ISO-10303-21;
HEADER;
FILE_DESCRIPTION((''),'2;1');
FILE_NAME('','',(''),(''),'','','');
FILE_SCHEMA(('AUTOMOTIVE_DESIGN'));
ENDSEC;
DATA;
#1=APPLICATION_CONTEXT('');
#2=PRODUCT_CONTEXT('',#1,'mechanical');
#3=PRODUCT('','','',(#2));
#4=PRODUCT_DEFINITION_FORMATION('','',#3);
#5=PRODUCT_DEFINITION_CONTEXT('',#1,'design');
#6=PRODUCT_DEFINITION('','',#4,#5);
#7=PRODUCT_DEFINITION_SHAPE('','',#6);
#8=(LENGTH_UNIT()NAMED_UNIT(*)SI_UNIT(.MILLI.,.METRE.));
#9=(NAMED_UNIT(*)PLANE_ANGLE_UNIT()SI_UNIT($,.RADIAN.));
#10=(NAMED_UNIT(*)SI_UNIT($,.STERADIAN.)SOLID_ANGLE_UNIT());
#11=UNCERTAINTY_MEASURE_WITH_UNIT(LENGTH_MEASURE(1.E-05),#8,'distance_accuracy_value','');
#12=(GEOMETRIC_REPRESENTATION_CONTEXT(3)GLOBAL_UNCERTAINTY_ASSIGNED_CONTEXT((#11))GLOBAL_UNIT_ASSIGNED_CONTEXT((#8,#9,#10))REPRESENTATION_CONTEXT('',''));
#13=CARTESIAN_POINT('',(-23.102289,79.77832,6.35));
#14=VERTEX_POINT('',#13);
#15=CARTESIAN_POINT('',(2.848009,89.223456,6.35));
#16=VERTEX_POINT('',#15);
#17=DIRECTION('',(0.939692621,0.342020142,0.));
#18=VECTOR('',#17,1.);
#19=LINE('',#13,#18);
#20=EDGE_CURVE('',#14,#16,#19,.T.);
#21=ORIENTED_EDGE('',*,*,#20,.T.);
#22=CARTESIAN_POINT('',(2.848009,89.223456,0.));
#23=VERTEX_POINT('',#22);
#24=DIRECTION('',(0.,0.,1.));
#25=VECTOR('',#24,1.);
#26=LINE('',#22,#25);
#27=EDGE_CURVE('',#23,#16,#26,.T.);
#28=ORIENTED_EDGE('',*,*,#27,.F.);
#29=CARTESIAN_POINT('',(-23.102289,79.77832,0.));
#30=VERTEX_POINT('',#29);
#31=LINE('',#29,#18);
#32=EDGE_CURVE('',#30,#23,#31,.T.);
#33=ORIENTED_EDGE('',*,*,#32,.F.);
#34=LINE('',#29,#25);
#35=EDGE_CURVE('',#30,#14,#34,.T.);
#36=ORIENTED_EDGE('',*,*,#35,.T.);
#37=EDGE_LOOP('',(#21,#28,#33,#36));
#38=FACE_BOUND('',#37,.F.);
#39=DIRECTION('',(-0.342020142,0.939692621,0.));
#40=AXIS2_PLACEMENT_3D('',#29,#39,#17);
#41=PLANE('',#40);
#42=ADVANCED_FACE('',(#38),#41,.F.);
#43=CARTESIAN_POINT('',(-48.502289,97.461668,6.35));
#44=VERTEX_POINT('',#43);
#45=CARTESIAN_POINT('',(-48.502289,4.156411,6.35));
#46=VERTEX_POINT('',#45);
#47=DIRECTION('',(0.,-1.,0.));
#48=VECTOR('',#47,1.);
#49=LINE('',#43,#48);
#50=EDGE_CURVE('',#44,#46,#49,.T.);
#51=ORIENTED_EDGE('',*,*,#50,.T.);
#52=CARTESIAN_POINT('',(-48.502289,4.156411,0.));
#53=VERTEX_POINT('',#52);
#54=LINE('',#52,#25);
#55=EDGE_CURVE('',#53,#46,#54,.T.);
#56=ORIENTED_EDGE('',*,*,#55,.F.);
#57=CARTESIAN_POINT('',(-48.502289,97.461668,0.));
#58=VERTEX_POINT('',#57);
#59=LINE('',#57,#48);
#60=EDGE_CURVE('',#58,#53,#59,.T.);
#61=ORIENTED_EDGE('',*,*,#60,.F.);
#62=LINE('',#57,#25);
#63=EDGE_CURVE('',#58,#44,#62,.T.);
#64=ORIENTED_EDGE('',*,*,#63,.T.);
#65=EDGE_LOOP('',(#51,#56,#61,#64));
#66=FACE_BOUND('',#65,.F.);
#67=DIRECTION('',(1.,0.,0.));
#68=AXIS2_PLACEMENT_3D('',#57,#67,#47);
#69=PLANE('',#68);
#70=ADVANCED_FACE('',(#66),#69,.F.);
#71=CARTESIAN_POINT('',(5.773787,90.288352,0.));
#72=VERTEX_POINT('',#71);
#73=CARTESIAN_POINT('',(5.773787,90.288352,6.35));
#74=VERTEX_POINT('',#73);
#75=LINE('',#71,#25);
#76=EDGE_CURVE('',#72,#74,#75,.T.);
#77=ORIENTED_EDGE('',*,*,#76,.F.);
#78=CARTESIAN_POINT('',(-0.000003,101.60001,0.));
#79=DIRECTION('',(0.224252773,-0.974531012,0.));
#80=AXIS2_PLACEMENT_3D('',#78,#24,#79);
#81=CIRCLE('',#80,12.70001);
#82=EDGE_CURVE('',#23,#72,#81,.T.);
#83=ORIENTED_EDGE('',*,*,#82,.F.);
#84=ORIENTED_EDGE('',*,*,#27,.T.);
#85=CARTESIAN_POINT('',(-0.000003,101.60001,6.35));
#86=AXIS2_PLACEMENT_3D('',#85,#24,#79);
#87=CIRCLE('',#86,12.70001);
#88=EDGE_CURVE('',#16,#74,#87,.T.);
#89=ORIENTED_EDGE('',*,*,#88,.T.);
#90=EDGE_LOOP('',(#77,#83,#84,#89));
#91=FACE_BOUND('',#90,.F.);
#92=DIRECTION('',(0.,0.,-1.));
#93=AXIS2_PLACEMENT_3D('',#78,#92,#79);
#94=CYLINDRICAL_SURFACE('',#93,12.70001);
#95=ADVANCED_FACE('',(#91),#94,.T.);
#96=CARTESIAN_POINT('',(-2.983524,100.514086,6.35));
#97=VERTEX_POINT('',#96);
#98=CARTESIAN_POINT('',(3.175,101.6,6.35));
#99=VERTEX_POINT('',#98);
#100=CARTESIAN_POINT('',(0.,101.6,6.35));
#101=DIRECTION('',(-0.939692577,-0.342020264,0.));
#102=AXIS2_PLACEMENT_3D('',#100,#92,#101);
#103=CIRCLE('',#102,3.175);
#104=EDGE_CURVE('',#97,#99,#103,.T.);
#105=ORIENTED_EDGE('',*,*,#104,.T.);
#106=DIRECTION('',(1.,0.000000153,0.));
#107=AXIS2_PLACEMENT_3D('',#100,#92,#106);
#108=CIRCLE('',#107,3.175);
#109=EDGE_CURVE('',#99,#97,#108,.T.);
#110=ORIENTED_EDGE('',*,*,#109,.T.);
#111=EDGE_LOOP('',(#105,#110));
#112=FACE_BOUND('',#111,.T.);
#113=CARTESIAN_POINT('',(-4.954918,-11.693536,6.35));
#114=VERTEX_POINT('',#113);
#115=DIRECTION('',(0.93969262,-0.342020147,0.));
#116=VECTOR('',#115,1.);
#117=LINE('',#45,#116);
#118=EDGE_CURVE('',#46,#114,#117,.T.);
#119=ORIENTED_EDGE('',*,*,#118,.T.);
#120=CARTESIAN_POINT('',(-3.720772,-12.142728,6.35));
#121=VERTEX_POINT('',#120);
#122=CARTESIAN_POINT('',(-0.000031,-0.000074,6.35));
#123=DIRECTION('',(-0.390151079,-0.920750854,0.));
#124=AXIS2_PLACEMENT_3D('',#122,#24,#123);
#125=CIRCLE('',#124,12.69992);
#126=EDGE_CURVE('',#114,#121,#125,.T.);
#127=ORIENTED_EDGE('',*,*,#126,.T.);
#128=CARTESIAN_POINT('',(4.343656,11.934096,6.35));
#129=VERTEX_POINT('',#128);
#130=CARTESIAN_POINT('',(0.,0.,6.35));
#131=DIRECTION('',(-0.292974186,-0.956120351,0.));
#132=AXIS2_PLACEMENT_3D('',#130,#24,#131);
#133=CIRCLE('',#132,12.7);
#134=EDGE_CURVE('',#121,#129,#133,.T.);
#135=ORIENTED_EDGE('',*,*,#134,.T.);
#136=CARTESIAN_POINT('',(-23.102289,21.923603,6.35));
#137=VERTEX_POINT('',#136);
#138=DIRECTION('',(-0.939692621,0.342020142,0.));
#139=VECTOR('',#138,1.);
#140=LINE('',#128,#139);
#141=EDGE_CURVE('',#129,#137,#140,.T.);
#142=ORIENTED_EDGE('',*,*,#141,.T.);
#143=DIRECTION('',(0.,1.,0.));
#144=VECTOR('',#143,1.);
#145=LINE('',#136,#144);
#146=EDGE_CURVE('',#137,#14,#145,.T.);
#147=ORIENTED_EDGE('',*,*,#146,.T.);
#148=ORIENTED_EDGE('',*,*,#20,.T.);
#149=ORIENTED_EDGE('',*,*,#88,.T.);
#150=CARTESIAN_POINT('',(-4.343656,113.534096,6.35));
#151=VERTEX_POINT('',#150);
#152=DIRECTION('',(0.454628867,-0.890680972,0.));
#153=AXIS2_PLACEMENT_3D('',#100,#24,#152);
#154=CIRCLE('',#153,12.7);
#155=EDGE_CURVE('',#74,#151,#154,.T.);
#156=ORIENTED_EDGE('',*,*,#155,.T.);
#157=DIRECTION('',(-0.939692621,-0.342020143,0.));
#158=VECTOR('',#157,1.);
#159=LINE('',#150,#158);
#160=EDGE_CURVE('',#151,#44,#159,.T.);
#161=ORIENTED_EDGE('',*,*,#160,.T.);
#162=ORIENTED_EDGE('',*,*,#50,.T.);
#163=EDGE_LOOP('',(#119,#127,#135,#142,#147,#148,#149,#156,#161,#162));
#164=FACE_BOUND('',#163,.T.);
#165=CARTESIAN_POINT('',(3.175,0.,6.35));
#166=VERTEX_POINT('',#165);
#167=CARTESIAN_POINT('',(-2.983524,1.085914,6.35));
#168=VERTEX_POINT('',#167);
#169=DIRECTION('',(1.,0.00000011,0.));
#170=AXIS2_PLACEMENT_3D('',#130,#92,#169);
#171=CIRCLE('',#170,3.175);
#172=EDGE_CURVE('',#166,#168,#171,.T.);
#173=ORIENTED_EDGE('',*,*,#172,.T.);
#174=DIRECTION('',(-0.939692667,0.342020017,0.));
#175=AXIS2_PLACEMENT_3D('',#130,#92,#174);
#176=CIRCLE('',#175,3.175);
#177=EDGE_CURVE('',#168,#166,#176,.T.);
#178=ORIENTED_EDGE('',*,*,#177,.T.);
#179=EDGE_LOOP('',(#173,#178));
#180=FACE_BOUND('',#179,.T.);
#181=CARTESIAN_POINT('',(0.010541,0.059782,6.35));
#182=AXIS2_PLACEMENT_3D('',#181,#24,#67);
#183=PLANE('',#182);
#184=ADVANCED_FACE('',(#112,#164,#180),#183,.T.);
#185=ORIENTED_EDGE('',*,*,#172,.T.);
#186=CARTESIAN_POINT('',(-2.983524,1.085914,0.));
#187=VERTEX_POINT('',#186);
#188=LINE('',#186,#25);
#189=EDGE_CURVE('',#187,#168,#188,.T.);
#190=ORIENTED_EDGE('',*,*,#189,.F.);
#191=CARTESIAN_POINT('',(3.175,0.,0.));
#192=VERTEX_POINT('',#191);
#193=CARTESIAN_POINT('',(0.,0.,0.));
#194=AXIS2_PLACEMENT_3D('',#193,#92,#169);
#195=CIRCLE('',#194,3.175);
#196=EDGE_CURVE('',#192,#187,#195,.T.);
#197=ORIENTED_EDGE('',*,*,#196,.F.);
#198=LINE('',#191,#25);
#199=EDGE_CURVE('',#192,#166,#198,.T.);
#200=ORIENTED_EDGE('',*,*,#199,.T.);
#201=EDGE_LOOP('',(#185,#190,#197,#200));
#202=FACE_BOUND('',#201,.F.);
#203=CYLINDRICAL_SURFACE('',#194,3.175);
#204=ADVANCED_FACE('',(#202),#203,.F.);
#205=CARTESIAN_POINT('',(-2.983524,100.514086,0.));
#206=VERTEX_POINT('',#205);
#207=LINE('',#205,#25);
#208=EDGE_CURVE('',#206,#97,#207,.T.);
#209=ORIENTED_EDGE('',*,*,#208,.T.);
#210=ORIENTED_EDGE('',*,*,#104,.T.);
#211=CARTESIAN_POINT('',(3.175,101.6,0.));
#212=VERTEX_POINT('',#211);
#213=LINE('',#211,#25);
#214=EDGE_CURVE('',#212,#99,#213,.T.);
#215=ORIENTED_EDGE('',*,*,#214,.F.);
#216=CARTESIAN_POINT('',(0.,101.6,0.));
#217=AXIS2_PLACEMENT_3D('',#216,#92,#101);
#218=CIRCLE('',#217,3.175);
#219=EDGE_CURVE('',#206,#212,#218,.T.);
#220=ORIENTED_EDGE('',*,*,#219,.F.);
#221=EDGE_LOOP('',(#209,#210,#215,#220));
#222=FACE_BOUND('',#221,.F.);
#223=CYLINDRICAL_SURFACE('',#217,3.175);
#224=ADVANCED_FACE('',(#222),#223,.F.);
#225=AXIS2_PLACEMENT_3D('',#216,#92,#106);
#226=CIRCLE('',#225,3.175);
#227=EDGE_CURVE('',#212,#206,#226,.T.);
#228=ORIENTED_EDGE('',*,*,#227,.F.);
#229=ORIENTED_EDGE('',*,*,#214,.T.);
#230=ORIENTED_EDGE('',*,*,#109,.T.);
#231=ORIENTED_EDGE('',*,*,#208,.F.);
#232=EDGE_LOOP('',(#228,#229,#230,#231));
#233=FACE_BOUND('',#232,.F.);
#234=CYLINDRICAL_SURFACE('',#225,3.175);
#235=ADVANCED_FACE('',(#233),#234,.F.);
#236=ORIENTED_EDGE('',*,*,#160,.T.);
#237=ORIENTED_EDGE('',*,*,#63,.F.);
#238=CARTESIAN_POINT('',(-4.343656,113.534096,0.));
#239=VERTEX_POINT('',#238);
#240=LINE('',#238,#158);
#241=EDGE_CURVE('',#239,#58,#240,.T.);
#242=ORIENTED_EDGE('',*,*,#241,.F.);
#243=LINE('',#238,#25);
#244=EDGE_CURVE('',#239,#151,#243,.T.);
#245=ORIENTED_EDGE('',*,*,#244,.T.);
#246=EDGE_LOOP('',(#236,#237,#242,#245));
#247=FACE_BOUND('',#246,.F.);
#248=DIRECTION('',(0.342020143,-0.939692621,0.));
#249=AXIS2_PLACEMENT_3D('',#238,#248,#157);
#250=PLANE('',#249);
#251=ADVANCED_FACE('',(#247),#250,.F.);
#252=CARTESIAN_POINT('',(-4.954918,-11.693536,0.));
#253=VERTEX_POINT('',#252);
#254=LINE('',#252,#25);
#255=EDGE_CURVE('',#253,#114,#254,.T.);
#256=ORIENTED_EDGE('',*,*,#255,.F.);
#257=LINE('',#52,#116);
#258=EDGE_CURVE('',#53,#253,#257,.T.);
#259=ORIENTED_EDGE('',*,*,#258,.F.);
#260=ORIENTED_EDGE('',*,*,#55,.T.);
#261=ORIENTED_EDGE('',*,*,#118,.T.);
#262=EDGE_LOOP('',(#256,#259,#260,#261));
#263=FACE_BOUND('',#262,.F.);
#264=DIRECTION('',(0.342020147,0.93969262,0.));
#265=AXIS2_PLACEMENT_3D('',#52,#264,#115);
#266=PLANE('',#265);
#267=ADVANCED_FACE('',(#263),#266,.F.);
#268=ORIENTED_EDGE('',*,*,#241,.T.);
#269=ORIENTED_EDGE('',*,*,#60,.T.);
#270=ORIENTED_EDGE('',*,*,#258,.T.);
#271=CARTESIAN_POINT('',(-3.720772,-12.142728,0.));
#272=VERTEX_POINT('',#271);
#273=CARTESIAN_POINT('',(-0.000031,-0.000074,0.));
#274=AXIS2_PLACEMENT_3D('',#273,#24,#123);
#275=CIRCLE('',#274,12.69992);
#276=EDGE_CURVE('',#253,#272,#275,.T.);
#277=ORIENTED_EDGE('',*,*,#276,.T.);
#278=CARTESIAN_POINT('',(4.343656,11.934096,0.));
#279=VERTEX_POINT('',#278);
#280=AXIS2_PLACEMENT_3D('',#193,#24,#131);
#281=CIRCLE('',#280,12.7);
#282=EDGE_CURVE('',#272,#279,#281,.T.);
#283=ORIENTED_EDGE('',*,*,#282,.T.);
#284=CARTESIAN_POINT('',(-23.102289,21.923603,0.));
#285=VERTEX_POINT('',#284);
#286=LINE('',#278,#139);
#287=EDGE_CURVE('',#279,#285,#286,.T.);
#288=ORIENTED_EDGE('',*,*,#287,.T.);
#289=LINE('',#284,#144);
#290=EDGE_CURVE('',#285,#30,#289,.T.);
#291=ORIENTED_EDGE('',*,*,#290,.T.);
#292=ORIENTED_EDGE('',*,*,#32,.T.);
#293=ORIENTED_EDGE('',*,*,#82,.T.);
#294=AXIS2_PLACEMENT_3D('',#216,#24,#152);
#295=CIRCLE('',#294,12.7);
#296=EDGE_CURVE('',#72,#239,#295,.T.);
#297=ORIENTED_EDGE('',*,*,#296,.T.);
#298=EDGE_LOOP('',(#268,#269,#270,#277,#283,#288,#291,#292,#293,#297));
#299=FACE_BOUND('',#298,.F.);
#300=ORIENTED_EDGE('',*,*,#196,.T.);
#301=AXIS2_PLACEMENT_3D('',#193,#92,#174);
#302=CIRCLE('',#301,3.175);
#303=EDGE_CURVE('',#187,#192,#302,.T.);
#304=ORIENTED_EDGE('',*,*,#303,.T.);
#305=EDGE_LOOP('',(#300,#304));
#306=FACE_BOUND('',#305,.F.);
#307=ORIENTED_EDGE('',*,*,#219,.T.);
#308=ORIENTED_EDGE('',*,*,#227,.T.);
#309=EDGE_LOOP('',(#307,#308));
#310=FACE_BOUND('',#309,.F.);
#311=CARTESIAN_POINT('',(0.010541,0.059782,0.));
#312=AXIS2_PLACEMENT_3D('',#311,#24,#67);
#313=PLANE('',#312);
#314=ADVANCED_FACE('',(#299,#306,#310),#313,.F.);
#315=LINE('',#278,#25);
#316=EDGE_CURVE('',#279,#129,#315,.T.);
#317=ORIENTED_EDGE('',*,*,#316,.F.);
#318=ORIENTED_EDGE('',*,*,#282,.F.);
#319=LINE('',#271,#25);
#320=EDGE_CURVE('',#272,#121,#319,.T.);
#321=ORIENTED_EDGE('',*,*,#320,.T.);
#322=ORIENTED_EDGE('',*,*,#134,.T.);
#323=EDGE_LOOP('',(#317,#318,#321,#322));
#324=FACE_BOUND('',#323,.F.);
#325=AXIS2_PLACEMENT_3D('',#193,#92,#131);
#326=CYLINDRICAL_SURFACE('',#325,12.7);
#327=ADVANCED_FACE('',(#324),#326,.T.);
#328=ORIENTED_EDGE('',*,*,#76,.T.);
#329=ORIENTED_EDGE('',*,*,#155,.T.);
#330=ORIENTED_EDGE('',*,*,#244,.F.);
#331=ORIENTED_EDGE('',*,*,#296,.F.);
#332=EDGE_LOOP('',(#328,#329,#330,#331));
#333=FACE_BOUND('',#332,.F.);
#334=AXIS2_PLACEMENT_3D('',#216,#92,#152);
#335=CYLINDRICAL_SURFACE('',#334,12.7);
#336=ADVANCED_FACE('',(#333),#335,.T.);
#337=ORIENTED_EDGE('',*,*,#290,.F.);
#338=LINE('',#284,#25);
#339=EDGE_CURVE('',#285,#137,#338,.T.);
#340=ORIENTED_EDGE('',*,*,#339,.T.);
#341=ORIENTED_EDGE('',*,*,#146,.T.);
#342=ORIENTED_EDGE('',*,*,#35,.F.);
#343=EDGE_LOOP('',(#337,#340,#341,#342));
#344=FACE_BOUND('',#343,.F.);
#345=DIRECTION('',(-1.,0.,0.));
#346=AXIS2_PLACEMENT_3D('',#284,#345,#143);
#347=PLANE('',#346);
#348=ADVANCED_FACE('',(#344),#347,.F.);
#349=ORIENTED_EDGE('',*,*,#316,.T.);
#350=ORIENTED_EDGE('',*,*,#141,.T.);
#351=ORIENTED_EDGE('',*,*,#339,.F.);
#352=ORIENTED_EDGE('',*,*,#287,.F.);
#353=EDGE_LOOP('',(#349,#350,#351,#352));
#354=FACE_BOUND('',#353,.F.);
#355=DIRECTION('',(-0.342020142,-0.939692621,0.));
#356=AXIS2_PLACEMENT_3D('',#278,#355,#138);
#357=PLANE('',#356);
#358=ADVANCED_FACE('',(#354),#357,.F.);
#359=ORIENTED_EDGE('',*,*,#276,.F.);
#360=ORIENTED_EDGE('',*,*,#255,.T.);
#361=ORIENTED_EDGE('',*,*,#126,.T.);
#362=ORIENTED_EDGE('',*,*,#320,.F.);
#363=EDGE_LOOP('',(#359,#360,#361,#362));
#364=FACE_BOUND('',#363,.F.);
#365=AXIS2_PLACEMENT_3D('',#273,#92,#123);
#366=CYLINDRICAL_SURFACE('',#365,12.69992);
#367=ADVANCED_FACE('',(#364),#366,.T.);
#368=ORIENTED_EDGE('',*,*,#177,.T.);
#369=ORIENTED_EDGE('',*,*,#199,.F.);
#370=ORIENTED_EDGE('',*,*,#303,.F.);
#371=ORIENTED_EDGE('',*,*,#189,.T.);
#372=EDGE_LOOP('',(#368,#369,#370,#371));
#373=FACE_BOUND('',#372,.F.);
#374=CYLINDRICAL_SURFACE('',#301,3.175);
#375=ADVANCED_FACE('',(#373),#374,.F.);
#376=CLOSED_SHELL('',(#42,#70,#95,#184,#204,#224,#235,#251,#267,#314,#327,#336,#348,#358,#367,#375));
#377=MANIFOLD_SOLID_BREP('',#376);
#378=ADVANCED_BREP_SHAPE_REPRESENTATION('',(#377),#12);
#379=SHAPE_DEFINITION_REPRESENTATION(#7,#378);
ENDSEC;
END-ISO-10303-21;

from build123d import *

# Parameters (mm, degrees)
F1_DEPTH = 6.35


with BuildPart() as f1:
    # F0 (on Top) → F1 (new body)
    with BuildSketch(Plane.XY):
        with BuildLine():
            ThreePointArc((-2.983524, 1.085914), (-0.551333, -3.126765), (3.175, 0))
            ThreePointArc((3.175, 0), (0.551333, 3.126765), (-2.983524, 1.085914))
        make_face()
        with BuildLine():
            ThreePointArc((3.175, 101.6), (-0.551333, 104.726765), (-2.983524, 100.514086))
            ThreePointArc((-2.983524, 100.514086), (0.551333, 98.473235), (3.175, 101.6))
        make_face()
        with BuildLine():
            Line((-3.720772, -12.142728), (-4.954918, -11.693536))
            ThreePointArc((-4.954918, -11.693536), (-4.343656, -11.934096), (-3.720772, -12.142728))
        make_face()
        with BuildLine():
            Line((-48.502289, 4.156411), (-4.954918, -11.693536))
            Line((-4.954918, -11.693536), (-3.720772, -12.142728))
            ThreePointArc((-3.720772, -12.142728), (12.04244, -4.033563), (4.343656, 11.934096))
            Line((4.343656, 11.934096), (-23.102289, 21.923603))
            Line((-23.102289, 21.923603), (-23.102289, 79.77832))
            Line((-23.102289, 79.77832), (2.848009, 89.223456))
            Line((2.848009, 89.223456), (5.773787, 90.288352))
            ThreePointArc((5.773787, 90.288352), (11.644848, 106.668286), (-4.343656, 113.534096))
            Line((-4.343656, 113.534096), (-48.502289, 97.461668))
            Line((-48.502289, 97.461668), (-48.502289, 4.156411))
        make_face()
        with BuildLine():
            ThreePointArc((-2.983524, 1.085914), (0.551333, 3.126765), (3.175, 0))
            ThreePointArc((3.175, 0), (-0.551333, -3.126765), (-2.983524, 1.085914))
        make_face(mode=Mode.SUBTRACT)
        with BuildLine():
            ThreePointArc((3.175, 101.6), (0.551333, 98.473235), (-2.983524, 100.514086))
            ThreePointArc((-2.983524, 100.514086), (-0.551333, 104.726765), (3.175, 101.6))
        make_face(mode=Mode.SUBTRACT)
        with BuildLine():
            ThreePointArc((2.848009, 89.223456), (4.343656, 89.665904), (5.773787, 90.288352))
            Line((5.773787, 90.288352), (2.848009, 89.223456))
        make_face()
    extrude(amount=F1_DEPTH)


solid = f1.part
